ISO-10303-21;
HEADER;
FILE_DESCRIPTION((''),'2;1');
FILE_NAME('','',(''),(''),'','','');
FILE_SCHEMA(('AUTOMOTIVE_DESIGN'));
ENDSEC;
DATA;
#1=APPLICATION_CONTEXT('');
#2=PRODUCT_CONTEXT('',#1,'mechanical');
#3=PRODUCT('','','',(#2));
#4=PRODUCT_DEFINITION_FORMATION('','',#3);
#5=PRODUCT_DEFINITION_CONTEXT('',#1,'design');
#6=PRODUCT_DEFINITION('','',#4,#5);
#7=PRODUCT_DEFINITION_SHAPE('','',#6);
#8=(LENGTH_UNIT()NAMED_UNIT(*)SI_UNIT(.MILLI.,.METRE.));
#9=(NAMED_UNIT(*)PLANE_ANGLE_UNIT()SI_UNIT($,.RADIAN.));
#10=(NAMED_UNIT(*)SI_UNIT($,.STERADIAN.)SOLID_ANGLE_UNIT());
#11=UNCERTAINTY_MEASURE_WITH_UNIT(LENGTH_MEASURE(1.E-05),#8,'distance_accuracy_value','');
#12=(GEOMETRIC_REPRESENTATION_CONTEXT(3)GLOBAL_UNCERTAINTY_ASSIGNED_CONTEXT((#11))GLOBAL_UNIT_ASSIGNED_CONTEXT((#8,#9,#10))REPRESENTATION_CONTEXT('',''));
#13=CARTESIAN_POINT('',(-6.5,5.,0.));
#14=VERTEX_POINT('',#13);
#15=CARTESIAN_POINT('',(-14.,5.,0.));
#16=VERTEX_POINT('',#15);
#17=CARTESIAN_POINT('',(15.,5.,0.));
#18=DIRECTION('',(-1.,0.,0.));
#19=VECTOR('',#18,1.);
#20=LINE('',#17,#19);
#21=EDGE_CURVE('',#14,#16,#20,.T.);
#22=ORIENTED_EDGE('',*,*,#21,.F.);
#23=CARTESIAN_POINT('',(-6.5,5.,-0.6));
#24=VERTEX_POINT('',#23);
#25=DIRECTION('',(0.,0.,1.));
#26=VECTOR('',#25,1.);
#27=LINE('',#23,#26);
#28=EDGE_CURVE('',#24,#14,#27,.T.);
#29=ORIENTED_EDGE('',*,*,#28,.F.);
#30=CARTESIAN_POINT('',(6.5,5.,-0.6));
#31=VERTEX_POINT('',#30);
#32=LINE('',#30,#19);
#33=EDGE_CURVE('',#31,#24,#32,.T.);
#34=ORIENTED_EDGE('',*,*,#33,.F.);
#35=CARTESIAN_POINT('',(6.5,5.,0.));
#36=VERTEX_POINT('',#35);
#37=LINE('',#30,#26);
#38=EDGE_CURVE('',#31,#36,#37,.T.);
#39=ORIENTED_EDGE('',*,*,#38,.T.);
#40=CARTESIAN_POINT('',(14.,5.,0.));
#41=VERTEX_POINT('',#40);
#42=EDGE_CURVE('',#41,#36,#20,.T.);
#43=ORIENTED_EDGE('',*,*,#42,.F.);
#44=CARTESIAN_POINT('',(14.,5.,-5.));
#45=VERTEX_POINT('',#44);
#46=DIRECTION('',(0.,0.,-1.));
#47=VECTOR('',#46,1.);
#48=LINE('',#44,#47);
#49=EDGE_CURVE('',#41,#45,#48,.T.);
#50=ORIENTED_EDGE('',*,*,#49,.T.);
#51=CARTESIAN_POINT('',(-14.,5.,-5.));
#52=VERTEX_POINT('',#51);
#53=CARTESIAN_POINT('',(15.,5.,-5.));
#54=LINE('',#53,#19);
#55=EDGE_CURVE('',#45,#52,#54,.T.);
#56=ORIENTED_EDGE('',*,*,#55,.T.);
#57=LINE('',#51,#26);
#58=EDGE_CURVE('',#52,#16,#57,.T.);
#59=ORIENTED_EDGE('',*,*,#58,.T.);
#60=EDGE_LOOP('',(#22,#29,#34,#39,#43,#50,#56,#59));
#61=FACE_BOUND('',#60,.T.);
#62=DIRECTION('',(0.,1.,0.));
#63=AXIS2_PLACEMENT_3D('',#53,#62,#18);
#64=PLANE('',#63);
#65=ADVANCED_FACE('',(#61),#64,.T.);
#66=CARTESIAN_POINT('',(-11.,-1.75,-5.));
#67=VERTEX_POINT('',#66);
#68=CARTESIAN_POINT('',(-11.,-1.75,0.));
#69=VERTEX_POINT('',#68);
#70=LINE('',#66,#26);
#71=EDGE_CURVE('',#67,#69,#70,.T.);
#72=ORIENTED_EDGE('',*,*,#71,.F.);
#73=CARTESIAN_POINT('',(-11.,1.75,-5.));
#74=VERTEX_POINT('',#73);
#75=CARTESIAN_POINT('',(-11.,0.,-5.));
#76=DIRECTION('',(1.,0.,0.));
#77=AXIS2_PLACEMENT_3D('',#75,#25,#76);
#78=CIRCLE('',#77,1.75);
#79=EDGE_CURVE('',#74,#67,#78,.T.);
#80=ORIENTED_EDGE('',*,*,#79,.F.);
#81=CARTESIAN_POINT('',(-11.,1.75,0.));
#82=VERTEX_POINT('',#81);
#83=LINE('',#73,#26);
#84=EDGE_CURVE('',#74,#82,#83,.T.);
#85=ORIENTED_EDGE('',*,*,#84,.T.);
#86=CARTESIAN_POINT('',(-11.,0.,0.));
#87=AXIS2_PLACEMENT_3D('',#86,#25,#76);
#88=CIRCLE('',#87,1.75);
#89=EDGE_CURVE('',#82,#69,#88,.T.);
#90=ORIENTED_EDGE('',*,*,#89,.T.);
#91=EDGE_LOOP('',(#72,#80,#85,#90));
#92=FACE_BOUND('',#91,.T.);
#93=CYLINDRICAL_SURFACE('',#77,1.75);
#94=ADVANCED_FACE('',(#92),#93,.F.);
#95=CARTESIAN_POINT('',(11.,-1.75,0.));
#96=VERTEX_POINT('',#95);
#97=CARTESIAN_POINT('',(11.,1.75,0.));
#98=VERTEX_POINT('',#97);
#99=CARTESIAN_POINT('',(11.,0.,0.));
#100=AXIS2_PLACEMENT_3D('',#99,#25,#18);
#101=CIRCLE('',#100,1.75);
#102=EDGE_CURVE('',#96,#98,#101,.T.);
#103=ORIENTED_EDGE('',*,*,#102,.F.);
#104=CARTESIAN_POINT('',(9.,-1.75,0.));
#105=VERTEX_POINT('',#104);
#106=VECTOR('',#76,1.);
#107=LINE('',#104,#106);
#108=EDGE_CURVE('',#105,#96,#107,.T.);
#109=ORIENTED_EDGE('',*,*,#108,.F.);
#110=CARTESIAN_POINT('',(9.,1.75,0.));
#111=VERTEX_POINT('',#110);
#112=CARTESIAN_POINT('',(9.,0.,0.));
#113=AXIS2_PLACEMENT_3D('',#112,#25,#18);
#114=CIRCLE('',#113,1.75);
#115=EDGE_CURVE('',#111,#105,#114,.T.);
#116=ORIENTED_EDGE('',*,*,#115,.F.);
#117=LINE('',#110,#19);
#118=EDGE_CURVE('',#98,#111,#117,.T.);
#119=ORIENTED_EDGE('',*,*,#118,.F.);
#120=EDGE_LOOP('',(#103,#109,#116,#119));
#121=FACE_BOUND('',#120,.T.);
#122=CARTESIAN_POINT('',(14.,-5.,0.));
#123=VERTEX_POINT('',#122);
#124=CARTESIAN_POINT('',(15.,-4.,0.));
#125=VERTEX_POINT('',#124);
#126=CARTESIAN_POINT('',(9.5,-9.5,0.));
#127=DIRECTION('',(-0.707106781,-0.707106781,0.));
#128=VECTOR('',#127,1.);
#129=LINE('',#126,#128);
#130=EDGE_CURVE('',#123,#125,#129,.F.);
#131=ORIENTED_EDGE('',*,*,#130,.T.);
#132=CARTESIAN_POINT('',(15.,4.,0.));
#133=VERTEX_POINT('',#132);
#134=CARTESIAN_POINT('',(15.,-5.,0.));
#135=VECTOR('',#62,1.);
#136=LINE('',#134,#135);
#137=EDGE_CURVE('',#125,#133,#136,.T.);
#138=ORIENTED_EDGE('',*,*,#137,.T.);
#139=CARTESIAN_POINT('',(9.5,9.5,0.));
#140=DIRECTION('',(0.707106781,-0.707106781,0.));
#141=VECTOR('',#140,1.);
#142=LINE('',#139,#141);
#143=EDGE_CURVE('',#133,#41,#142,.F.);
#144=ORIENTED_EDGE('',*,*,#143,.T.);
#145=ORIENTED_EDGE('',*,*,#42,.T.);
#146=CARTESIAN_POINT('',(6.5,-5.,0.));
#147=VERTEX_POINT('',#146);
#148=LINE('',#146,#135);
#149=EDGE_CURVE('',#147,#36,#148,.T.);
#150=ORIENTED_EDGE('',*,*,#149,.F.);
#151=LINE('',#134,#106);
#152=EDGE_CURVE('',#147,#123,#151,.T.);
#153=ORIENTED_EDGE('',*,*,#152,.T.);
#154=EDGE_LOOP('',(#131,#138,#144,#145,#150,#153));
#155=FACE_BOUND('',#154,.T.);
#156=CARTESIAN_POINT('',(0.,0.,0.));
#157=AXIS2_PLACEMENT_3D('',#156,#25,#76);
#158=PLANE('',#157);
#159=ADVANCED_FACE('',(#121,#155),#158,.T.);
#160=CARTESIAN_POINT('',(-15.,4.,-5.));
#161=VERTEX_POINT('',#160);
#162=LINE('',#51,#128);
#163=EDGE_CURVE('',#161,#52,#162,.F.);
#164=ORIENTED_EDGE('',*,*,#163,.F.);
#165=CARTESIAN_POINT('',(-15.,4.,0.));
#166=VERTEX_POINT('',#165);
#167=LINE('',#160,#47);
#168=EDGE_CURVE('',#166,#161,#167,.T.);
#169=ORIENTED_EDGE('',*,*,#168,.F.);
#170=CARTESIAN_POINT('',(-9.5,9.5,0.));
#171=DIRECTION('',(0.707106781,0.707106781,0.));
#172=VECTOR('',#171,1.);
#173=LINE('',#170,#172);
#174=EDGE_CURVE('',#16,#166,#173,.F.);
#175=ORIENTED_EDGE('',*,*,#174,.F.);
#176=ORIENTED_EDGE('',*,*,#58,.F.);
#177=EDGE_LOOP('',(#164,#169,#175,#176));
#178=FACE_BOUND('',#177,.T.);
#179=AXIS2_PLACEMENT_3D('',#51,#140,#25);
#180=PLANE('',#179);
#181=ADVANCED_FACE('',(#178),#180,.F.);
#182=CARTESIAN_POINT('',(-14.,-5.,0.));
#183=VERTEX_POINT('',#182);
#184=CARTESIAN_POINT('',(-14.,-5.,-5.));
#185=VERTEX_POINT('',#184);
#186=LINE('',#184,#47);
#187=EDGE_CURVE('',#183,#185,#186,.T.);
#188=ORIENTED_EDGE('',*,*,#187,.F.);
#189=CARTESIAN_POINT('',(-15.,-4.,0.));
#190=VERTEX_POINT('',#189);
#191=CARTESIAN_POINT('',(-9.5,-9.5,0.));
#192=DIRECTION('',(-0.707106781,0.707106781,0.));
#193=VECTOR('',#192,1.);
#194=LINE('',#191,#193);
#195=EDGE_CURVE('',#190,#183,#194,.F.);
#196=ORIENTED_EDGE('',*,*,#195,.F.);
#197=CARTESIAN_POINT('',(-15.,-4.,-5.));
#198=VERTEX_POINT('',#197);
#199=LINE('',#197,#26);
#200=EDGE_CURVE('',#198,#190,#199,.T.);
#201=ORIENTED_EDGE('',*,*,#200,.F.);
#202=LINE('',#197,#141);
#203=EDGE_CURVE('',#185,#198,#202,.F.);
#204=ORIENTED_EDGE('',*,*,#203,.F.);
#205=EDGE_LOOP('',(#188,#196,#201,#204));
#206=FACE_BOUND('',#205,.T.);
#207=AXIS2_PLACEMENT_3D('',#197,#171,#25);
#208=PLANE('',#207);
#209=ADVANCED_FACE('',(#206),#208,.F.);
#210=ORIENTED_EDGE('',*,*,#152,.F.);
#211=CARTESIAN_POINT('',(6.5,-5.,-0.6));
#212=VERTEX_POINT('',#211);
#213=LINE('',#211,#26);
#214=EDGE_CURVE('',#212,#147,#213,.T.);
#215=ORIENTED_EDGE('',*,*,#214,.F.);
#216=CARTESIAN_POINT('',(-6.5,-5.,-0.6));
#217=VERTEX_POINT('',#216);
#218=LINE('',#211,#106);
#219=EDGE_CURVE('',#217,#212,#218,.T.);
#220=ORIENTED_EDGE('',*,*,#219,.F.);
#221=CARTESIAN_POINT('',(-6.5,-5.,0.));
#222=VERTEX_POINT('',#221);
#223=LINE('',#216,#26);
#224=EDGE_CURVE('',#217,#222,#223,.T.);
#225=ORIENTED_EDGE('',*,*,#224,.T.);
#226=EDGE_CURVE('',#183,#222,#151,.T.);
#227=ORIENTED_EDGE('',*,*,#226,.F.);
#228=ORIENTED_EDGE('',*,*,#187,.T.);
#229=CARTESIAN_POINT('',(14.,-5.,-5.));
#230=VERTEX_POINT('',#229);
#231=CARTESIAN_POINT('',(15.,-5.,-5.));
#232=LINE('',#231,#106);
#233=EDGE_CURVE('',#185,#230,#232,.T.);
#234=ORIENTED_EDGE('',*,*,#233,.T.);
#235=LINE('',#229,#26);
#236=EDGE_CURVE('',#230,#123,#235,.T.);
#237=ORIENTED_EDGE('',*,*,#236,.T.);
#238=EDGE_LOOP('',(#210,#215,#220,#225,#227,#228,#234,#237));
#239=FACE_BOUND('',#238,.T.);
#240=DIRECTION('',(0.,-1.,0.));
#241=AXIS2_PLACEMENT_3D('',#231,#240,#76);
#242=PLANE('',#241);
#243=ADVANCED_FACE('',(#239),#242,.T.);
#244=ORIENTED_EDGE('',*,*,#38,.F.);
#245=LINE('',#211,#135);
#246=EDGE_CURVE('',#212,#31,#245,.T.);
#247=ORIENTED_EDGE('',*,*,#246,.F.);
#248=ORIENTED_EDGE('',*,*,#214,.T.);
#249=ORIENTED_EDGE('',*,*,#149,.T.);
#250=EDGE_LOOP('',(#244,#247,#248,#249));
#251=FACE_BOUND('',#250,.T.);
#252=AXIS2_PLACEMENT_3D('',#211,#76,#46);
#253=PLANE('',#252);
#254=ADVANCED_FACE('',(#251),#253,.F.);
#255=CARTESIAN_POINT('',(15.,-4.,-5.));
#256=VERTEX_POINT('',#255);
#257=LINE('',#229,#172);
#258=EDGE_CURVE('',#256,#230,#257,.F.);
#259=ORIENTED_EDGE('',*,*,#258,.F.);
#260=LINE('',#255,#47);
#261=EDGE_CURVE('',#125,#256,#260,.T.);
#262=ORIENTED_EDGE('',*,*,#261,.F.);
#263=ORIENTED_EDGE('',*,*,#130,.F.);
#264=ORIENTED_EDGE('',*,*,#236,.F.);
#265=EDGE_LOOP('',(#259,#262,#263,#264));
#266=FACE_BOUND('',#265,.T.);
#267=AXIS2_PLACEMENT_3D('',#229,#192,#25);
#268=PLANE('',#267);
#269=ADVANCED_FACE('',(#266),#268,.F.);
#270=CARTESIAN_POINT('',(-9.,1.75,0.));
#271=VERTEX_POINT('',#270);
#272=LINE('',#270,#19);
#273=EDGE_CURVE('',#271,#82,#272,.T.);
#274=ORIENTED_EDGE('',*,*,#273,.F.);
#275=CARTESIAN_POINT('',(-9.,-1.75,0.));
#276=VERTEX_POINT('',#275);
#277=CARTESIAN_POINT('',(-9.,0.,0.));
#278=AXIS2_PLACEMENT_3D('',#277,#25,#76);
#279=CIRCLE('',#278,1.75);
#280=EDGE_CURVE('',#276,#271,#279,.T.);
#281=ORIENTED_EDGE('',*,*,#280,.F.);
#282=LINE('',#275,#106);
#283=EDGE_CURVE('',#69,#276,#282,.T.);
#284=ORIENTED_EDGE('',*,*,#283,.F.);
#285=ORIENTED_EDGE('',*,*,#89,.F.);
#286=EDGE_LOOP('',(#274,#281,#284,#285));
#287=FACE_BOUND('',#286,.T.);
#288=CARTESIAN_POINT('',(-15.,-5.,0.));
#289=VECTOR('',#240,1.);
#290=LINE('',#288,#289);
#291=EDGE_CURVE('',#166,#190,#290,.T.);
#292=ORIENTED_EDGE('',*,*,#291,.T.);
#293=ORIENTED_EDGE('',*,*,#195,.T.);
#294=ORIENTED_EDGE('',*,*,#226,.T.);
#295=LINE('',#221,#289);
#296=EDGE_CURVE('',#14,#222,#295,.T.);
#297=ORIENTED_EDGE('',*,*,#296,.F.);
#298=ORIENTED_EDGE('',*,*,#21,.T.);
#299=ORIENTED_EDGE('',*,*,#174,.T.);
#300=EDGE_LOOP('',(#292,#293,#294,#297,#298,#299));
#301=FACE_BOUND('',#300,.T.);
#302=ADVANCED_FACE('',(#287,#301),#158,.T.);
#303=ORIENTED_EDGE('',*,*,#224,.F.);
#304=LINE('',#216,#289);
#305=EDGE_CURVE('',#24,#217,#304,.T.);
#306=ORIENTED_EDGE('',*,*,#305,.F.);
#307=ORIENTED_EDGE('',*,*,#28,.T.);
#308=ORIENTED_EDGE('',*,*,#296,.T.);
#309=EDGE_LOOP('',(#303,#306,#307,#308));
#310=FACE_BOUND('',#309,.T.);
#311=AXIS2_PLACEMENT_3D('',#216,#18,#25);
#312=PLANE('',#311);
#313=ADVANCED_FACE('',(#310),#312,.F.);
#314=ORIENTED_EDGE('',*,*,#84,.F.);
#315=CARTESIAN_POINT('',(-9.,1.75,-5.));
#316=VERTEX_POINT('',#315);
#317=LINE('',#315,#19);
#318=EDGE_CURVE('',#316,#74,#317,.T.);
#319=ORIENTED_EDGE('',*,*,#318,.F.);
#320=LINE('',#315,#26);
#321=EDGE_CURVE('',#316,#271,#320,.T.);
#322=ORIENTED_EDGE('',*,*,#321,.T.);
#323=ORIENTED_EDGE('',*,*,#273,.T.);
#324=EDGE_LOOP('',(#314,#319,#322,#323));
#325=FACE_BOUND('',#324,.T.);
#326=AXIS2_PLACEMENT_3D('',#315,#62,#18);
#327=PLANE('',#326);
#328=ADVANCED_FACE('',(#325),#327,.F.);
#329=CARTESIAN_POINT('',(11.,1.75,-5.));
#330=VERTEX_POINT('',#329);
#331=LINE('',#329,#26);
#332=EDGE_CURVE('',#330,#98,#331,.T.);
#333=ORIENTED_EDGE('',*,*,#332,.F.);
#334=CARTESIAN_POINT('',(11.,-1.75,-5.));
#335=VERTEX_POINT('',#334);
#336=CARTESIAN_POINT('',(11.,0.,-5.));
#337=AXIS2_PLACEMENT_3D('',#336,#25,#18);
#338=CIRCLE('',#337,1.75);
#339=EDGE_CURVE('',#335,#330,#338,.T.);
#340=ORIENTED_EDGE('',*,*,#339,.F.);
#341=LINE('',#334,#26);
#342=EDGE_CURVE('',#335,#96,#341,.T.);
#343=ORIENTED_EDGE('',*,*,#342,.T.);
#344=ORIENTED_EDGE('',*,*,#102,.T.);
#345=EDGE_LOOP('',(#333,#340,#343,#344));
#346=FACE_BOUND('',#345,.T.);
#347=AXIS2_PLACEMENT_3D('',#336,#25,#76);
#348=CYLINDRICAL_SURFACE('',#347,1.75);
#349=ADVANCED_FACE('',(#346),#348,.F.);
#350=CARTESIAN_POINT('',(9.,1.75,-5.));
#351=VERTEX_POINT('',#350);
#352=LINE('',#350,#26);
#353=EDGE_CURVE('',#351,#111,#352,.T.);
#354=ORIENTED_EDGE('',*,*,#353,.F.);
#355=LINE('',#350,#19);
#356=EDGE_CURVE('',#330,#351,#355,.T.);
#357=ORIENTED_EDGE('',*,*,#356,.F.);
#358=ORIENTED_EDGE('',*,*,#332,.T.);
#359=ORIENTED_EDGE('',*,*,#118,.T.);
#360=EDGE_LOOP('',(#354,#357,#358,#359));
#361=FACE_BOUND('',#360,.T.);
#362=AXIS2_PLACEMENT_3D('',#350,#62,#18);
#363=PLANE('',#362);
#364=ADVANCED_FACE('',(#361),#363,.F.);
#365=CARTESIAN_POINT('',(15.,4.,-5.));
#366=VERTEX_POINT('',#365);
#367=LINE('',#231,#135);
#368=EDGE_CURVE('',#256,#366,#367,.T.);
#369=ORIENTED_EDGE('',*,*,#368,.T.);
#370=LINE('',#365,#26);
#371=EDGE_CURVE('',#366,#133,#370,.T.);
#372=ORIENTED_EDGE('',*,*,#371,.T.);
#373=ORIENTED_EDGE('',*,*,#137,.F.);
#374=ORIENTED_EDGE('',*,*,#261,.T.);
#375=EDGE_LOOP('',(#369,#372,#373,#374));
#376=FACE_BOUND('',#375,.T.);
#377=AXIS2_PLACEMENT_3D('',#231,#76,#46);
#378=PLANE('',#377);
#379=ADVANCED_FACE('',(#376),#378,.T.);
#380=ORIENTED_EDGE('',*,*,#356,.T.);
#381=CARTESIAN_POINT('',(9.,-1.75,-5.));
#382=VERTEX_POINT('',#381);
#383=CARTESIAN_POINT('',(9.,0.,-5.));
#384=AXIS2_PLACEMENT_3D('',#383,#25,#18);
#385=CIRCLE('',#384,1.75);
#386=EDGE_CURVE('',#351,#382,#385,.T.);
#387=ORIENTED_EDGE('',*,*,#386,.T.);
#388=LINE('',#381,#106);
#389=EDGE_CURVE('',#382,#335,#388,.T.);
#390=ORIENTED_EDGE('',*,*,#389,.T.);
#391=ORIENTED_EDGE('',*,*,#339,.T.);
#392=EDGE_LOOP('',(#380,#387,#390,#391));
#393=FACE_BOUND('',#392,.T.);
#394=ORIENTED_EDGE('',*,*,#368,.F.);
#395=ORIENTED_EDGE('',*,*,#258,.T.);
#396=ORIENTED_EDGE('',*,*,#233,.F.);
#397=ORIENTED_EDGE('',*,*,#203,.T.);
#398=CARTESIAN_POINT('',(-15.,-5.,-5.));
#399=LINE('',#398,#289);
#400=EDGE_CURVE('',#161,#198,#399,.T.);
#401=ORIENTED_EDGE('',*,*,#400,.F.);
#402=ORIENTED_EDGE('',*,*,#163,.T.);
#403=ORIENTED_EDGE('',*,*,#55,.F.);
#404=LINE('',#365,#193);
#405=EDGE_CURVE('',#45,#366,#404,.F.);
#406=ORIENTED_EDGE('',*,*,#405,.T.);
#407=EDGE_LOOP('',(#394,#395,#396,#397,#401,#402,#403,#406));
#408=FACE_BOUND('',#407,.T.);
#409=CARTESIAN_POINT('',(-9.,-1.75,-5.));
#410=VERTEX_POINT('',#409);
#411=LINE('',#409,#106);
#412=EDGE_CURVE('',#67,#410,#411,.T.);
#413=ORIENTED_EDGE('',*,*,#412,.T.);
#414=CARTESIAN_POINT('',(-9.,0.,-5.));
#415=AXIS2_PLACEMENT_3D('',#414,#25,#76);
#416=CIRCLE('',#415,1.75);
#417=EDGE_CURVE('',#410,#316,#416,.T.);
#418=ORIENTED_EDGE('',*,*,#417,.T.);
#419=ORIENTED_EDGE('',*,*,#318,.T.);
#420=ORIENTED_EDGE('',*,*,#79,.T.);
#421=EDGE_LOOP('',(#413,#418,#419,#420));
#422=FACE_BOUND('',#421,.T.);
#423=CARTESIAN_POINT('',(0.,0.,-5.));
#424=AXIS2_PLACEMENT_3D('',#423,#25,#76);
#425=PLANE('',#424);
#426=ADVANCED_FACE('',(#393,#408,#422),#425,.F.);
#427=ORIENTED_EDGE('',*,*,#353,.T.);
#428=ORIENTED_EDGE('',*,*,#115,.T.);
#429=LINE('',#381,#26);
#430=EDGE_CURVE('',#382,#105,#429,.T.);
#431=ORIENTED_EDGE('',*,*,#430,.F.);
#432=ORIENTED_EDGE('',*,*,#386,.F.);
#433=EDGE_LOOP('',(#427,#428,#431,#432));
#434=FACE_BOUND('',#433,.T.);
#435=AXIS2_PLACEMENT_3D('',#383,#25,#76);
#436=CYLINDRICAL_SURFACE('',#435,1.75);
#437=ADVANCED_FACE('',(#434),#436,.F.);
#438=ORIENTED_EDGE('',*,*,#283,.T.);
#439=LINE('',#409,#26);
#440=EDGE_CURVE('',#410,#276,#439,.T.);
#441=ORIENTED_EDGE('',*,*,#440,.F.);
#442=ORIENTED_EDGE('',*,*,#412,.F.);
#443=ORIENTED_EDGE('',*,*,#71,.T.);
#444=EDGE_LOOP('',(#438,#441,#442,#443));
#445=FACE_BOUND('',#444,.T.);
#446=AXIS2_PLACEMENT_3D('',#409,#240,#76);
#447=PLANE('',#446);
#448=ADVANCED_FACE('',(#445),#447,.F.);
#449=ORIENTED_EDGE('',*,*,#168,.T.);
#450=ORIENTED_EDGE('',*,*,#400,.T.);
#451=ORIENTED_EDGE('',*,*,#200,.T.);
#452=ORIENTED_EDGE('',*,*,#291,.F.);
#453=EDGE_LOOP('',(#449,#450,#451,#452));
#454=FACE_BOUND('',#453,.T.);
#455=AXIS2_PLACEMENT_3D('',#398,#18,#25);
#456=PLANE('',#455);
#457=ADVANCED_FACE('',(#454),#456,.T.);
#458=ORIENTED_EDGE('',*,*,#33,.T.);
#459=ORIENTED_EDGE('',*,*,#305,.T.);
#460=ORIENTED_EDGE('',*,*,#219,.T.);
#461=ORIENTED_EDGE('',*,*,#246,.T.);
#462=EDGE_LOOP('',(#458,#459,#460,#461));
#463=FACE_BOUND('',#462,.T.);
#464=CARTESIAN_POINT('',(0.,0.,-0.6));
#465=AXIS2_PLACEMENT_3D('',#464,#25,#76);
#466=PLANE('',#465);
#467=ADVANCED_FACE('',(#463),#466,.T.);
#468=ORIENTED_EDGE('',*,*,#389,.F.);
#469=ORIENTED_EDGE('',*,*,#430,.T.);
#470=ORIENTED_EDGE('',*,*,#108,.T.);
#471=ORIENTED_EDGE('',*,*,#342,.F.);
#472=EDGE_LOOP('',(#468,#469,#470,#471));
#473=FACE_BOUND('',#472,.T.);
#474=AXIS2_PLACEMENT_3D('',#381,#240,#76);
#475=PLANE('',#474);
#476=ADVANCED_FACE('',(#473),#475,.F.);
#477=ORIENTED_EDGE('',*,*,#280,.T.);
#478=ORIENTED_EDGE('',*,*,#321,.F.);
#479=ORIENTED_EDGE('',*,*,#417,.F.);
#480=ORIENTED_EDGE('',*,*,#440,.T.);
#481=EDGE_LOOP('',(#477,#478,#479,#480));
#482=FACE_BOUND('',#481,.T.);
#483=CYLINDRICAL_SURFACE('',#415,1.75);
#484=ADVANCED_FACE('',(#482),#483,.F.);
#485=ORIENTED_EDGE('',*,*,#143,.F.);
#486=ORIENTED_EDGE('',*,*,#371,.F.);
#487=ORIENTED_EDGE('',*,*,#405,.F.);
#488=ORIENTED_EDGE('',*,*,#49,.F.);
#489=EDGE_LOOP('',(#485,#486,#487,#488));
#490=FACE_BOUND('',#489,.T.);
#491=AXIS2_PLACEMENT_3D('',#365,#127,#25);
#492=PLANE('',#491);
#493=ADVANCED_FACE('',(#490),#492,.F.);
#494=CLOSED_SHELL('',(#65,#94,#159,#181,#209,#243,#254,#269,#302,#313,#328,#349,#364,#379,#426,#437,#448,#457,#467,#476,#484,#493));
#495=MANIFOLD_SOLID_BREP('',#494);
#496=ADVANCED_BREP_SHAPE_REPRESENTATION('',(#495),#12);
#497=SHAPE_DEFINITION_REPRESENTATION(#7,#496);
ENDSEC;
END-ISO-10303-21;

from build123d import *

# Parameters (mm, degrees)
SCHIZZO2_W                   = 30
SCHIZZO2_H                   = 10
ESTRUSIONE_ESTRUSIONE1_DEPTH = 5
SCHIZZO3_W                   = 13
SCHIZZO3_H                   = 10
TAGLIO_ESTRUSIONE1_DEPTH     = 0.6
SMUSSO1_SIZE                 = 1


with BuildPart() as part:
    # Schizzo2 → Estrusione-Estrusione1 (new body)
    with BuildSketch(Plane.XY):
        Rectangle(SCHIZZO2_W, SCHIZZO2_H)
        with BuildLine():
            Line((-9, -1.75), (-11, -1.75))
            ThreePointArc((-11, -1.75), (-12.75, 0), (-11, 1.75))
            Line((-11, 1.75), (-9, 1.75))
            ThreePointArc((-9, 1.75), (-7.25, 0), (-9, -1.75))
        make_face(mode=Mode.SUBTRACT)
        with BuildLine():
            Line((9, -1.75), (11, -1.75))
            ThreePointArc((11, -1.75), (12.75, 0), (11, 1.75))
            Line((11, 1.75), (9, 1.75))
            ThreePointArc((9, 1.75), (7.25, 0), (9, -1.75))
        make_face(mode=Mode.SUBTRACT)
    extrude(amount=-ESTRUSIONE_ESTRUSIONE1_DEPTH)

    # Schizzo3 → Taglio-Estrusione1 (cut)
    with BuildSketch(Plane.XY):
        Rectangle(SCHIZZO3_W, SCHIZZO3_H)
    extrude(amount=-TAGLIO_ESTRUSIONE1_DEPTH, mode=Mode.SUBTRACT)

    # Smusso1
    smusso1_edges = [part.edges().sort_by_distance(p)[0] for p in [
        (-15, 5, -2.5),
        (15, 5, -2.5),
        (15, -5, -2.5),
        (-15, -5, -2.5),
    ]]
    chamfer(smusso1_edges, length=SMUSSO1_SIZE)


solid = part.part
